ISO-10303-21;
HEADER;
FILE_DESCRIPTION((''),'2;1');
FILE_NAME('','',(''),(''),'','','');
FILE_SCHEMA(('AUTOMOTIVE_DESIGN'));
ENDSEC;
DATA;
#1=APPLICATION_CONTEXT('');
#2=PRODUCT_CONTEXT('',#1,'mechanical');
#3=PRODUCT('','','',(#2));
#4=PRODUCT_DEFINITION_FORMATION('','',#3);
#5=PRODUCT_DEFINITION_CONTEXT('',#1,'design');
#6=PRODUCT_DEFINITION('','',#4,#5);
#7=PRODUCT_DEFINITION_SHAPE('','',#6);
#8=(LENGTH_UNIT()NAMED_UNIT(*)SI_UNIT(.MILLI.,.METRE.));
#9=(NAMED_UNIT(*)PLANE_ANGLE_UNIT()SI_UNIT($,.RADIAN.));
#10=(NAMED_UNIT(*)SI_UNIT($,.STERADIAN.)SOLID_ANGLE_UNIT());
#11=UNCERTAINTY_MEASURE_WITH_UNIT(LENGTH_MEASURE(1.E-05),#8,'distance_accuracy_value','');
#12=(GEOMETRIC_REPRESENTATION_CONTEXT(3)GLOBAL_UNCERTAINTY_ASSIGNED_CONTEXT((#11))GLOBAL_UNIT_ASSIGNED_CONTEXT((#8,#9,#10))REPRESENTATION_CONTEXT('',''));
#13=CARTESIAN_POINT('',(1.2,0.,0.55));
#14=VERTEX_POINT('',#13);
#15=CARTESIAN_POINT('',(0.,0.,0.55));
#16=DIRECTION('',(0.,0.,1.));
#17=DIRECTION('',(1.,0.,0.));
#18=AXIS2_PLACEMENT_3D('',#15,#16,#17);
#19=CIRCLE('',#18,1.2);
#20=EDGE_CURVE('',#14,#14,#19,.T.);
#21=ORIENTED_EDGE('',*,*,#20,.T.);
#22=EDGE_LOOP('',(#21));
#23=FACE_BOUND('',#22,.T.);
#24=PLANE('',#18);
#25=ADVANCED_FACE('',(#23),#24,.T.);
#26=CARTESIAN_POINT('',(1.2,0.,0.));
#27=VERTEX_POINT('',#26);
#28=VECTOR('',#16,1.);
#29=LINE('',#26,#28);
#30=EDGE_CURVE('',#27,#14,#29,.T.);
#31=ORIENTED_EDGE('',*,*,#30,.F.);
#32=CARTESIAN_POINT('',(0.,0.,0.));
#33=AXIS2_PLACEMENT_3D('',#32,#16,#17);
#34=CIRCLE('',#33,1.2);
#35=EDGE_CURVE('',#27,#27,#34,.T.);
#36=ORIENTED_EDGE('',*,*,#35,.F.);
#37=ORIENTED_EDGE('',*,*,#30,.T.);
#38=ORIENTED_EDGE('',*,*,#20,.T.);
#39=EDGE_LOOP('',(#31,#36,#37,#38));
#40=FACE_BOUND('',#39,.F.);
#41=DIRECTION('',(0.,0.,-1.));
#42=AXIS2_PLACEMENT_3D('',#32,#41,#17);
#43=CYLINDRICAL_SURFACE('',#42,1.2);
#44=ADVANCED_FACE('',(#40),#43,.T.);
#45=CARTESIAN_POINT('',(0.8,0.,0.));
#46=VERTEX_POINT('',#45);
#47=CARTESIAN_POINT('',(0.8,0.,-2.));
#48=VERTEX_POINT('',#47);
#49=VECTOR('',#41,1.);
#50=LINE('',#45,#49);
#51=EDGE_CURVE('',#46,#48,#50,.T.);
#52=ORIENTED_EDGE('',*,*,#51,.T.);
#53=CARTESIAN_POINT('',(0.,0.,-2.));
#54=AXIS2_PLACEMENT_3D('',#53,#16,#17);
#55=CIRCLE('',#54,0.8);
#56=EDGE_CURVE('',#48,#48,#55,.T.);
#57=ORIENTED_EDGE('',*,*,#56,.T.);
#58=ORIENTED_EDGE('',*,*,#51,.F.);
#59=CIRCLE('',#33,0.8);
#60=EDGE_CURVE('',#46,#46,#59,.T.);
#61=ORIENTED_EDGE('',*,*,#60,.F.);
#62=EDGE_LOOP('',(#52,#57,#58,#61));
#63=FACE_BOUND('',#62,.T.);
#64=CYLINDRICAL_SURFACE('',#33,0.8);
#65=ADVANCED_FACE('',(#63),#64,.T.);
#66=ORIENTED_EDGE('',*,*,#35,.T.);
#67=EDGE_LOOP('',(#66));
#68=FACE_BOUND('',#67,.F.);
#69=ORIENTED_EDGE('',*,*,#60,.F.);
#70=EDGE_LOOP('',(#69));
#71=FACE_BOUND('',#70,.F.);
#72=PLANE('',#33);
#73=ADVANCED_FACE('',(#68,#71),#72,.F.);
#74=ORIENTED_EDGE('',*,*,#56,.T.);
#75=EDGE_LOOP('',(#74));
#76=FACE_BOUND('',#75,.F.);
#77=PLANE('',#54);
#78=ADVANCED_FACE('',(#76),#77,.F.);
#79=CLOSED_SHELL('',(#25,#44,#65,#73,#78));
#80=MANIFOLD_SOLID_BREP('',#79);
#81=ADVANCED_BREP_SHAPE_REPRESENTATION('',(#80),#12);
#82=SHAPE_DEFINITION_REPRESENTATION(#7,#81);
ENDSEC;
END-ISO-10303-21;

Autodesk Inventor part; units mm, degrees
ref_plane "YZ Plane" through (0, 0, 0) normal (1, 0, 0) x (0, 1, 0)
ref_plane "XZ Plane" through (0, 0, 0) normal (0, 1, 0) x (-1, 0, 0)
ref_plane "XY Plane" through (0, 0, 0) normal (0, 0, 1) x (1, 0, 0)
sketch "スケッチ2" plane through (0, 0, 0) normal (0, 0, 1) x (1, 0, 0)
  circle A0 centre (0, 0) radius 1.2
  circle A1 centre (0, 0) radius 0.8
  dimension "d1" = 2.4
  dimension "d2" = 1.6
extrude "押し出し1" add sketch "スケッチ2" along normal blind 0.55 contours A0 | A1
extrude "押し出し2" add sketch "スケッチ2" against normal blind 2 contours A1
properties part number "m1.6_4_なべ小ねじ0番"
